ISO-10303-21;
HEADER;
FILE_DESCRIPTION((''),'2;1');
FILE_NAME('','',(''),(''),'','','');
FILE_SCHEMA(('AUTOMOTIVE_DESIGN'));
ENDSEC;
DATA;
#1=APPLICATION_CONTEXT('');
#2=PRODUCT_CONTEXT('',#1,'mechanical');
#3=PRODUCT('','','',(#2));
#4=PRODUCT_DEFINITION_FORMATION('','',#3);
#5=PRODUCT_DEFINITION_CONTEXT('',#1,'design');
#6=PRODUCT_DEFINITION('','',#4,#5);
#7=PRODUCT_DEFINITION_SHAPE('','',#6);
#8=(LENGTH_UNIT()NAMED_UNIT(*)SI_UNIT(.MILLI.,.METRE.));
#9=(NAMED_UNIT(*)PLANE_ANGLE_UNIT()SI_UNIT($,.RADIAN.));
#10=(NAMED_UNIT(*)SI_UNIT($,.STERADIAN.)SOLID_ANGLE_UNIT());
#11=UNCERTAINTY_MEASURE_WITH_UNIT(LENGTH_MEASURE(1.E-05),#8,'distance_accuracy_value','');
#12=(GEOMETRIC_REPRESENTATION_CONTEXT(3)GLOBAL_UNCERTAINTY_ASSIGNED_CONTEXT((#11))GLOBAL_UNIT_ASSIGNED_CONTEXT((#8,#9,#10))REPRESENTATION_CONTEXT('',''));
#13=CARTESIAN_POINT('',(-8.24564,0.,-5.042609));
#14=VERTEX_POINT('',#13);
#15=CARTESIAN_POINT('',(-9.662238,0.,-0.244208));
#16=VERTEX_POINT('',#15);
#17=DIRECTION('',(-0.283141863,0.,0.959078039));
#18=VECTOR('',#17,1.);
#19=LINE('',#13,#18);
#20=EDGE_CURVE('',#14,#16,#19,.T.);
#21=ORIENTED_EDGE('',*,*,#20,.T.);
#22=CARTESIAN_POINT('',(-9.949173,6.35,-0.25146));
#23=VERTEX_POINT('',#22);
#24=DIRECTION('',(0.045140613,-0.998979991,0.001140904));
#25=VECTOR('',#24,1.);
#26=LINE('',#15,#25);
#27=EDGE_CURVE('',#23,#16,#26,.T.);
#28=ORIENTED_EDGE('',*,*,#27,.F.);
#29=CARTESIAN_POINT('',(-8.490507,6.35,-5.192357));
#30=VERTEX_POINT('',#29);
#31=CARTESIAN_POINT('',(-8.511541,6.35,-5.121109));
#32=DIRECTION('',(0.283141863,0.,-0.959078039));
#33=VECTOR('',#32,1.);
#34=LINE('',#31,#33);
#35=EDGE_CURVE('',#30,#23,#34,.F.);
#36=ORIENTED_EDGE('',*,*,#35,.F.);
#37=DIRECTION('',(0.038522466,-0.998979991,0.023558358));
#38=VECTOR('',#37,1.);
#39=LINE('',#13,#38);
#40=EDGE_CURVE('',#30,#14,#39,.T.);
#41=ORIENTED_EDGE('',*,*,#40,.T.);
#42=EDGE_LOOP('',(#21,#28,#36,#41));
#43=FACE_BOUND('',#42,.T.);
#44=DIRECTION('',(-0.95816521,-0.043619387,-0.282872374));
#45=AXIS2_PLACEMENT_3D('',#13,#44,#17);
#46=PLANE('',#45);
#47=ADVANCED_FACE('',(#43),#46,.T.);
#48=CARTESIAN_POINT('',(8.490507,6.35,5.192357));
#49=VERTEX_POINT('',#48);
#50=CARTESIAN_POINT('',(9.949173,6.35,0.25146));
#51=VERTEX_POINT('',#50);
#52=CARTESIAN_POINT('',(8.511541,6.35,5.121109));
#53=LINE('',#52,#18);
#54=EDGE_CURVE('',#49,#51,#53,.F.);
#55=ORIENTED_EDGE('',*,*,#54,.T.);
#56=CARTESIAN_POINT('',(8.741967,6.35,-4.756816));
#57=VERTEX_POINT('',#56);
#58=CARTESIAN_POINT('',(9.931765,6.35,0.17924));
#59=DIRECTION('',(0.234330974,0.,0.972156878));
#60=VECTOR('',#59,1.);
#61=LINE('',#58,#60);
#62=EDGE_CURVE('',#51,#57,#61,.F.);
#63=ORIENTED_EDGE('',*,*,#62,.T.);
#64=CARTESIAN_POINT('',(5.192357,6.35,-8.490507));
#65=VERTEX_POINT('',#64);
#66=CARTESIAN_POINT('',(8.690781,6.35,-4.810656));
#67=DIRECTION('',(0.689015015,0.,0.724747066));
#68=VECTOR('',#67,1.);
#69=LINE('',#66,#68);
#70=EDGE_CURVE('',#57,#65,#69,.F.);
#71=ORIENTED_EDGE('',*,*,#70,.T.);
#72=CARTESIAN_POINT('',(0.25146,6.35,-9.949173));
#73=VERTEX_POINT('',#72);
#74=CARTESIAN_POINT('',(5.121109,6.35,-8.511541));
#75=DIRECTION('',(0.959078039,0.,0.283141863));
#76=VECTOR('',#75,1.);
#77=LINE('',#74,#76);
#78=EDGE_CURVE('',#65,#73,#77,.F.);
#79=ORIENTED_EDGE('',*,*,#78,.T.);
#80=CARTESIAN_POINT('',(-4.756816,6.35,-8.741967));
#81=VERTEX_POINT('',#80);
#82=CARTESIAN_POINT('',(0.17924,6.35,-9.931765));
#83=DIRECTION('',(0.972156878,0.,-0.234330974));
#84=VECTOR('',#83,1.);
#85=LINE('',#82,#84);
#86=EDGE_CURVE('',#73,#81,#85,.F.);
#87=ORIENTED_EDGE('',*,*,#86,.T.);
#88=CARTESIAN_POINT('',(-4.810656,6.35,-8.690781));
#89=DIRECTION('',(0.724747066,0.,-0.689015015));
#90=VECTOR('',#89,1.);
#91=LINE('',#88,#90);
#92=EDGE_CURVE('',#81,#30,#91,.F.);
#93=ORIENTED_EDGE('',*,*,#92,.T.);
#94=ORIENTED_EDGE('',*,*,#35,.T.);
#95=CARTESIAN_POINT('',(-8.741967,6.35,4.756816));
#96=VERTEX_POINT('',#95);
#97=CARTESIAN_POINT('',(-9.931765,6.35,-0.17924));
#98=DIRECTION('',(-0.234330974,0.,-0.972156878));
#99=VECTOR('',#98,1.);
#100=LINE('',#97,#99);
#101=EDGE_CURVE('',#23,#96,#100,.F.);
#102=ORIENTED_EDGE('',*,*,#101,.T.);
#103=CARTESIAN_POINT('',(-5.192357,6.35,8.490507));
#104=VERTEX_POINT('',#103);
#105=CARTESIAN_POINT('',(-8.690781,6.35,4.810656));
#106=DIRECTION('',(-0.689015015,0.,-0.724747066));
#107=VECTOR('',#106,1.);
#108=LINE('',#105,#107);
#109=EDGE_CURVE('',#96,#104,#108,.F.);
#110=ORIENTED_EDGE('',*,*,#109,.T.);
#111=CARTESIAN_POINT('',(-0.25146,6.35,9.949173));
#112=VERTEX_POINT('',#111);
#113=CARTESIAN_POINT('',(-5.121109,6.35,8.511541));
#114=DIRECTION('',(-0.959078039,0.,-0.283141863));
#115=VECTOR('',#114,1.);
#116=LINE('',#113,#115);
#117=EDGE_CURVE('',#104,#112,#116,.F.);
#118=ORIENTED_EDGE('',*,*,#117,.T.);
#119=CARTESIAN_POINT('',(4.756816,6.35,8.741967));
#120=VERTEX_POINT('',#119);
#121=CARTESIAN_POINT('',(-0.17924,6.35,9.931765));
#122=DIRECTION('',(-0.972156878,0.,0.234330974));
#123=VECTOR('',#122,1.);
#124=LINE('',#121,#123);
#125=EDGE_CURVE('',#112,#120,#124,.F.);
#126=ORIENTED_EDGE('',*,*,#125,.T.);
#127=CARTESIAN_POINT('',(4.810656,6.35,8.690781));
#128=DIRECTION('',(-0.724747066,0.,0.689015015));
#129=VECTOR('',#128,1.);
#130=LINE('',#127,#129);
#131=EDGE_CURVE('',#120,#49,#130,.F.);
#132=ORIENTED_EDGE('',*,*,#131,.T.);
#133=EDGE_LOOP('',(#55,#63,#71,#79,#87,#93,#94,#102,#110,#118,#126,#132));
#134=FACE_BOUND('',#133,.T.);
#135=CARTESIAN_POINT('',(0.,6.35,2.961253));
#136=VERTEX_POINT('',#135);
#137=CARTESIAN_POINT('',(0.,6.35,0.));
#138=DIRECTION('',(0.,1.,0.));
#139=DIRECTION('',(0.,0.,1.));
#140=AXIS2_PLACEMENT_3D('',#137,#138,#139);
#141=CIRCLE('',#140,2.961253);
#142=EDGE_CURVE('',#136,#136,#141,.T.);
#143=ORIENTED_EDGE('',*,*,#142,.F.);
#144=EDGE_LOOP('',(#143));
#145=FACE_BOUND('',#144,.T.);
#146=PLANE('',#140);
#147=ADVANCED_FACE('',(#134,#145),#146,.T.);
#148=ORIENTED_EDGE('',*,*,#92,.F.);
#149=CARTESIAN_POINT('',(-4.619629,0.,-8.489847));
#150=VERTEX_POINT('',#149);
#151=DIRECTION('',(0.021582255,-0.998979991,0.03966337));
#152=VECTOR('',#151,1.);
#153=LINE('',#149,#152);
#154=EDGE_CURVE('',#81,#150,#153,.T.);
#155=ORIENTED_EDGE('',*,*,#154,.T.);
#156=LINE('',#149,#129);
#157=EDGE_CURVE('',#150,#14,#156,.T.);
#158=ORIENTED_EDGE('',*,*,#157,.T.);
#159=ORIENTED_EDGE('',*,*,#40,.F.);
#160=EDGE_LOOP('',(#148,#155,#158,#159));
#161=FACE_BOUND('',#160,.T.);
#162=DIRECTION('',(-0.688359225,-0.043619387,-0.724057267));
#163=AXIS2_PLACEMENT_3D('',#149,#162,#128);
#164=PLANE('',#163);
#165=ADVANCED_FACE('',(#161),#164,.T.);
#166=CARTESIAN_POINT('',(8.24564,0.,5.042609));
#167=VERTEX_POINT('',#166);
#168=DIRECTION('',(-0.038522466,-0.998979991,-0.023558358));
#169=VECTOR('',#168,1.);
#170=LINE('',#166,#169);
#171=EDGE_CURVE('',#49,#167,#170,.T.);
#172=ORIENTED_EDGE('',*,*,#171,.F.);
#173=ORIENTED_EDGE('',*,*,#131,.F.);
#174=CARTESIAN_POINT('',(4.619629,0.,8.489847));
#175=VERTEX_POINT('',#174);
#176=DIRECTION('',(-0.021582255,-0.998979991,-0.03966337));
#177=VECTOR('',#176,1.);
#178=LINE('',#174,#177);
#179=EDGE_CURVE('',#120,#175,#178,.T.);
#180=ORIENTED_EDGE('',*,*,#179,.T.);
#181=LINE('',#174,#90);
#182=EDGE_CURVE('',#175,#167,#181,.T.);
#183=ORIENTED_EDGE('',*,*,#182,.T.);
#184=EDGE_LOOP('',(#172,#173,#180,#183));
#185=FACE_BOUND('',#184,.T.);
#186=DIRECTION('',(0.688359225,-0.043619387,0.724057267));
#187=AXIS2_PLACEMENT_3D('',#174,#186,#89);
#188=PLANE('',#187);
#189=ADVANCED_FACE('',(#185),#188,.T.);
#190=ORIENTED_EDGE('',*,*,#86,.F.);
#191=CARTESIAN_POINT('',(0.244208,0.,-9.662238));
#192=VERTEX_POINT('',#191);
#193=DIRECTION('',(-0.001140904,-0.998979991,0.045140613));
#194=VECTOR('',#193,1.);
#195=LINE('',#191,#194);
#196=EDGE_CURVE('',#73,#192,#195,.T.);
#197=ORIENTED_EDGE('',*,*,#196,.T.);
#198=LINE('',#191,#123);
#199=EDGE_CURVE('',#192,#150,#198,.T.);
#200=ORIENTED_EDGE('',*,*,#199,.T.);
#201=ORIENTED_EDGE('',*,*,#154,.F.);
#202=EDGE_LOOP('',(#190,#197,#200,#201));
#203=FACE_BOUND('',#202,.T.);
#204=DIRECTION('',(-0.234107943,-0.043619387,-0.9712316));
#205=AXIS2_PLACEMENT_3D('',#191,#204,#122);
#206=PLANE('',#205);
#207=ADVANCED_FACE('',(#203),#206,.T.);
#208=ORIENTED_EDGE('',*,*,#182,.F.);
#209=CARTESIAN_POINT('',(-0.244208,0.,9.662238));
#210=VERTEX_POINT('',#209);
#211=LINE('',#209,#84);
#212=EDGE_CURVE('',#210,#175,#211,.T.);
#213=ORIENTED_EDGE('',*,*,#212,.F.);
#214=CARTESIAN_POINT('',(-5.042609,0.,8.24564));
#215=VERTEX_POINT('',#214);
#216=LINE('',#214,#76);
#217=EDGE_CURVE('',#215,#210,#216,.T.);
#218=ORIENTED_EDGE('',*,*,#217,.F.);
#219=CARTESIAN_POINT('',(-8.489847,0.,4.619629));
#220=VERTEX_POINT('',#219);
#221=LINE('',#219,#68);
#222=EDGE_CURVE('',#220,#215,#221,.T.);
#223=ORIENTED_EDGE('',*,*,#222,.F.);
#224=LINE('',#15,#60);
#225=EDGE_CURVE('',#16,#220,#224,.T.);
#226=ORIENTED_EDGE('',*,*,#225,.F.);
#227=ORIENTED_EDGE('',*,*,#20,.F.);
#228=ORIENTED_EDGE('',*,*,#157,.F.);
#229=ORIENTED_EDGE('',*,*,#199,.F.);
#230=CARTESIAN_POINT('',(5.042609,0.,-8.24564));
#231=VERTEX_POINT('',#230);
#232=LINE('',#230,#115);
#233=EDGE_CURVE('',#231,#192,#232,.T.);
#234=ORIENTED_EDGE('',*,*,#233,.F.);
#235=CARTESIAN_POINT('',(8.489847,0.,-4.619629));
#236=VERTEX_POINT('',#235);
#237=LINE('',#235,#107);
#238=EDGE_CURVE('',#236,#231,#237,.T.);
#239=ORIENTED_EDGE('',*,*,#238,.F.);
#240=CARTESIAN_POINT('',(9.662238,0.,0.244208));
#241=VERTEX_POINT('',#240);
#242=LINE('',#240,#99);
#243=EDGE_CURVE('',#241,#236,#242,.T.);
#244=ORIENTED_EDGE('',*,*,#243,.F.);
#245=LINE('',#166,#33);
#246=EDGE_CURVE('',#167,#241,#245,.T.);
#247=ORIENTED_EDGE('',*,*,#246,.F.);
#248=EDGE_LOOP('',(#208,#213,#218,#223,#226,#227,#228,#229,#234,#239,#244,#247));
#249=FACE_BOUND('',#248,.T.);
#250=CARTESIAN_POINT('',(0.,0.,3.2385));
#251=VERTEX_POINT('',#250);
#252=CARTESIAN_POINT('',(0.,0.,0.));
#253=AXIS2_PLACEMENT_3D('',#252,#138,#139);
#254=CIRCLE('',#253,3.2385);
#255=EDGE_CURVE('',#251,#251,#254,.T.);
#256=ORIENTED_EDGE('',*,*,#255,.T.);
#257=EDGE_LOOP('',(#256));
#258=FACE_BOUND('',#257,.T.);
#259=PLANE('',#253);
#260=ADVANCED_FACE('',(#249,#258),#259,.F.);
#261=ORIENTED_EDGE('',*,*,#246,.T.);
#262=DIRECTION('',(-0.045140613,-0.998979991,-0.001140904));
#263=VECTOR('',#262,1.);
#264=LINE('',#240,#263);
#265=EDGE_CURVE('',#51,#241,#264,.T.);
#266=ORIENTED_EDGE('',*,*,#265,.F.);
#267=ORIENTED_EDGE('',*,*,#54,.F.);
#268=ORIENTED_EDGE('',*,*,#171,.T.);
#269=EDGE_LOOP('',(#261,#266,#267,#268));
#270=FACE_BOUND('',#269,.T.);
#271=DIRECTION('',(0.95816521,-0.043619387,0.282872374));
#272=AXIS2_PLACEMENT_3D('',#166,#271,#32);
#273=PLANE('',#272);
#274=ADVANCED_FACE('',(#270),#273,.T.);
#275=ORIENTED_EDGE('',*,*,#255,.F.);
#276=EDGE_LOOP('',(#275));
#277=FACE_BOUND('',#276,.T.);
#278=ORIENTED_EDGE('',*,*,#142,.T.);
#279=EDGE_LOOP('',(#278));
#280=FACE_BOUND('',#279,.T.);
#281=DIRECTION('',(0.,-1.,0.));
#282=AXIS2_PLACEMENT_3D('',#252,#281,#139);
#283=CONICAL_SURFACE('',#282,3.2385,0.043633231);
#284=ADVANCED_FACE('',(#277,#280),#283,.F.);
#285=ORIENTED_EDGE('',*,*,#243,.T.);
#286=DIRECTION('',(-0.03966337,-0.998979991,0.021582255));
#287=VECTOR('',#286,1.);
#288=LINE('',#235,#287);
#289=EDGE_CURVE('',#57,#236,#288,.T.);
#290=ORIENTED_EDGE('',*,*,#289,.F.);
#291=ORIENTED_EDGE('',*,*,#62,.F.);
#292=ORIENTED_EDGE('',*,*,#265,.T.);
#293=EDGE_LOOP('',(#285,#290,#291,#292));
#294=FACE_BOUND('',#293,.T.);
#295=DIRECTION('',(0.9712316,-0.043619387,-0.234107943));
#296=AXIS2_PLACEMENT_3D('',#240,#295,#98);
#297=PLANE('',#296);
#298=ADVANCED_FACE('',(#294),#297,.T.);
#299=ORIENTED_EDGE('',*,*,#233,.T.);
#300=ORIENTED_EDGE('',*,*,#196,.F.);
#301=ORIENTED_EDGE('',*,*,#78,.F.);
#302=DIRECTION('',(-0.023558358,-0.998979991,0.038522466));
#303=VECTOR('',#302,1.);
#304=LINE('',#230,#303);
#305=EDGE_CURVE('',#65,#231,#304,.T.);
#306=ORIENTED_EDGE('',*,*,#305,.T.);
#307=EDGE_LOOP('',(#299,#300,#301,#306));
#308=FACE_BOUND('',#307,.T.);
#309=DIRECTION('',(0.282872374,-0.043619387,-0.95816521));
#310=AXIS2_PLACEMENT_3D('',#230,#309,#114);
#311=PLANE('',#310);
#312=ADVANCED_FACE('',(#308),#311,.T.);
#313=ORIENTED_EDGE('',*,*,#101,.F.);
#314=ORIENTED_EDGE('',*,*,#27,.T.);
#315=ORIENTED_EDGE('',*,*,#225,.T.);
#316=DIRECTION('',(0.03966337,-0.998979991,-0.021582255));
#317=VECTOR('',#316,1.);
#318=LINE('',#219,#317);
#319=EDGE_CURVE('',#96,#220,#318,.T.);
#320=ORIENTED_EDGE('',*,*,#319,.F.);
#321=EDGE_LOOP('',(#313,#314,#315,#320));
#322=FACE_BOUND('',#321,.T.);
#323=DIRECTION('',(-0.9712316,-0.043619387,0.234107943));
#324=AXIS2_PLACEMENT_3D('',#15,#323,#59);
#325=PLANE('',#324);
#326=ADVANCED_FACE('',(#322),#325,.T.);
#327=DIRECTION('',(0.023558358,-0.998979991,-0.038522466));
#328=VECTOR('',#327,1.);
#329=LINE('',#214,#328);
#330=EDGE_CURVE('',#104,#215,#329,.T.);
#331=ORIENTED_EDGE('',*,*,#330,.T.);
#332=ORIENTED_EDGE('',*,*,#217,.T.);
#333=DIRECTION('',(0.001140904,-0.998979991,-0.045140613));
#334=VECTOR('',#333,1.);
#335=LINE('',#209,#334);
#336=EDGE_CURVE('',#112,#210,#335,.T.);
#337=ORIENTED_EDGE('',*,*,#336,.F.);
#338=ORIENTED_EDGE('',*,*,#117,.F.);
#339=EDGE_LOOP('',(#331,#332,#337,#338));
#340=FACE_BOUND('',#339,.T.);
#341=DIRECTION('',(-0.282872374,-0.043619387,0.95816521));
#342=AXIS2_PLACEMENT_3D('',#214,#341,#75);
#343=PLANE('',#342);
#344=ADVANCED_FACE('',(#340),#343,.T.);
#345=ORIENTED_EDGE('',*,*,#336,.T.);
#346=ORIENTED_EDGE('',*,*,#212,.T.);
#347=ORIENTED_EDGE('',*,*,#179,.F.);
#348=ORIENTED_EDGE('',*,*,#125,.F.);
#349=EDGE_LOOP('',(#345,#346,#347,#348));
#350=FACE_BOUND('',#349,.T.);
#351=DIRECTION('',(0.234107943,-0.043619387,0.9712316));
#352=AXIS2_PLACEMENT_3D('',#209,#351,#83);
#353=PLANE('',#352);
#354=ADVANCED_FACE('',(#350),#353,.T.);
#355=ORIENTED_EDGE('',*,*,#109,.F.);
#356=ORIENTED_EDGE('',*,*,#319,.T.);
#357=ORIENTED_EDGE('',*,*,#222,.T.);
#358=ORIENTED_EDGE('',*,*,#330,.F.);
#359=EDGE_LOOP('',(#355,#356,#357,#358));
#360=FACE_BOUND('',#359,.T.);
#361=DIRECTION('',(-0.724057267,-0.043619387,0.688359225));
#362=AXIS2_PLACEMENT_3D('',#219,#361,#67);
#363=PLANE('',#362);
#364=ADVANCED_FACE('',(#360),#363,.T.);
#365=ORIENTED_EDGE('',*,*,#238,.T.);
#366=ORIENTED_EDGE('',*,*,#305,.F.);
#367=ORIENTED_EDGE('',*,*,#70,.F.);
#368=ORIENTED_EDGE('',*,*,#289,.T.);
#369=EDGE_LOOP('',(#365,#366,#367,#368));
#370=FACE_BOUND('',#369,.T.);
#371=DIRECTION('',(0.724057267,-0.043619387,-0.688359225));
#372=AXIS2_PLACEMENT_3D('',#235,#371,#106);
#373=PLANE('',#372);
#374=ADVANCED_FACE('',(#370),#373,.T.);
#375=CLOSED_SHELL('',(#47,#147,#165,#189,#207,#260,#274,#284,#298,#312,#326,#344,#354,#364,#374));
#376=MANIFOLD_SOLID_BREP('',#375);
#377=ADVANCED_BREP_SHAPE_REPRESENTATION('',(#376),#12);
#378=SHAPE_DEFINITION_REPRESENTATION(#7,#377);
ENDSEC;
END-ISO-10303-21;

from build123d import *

# Parameters (mm, degrees)
SKETCH1_R           = 3.2385
BOSS_EXTRUDE1_DEPTH = 6.35
BOSS_EXTRUDE1_DRAFT = -2.5


with BuildPart() as part:
    # Sketch1 → Boss-Extrude1 (with draft: the straight prism first)
    with BuildSketch(Plane(origin=(0, 0, 0), x_dir=(1, 0, 0), z_dir=(0, 1, 0))):
        Polygon((8.24563965, -5.042609025), (9.662237919, -0.244207692), (8.489847342, 4.619628895), (5.042609025, 8.24563965), (0.244207692, 9.662237919), (-4.619628895, 8.489847342), (-8.24563965, 5.042609025), (-9.662237919, 0.244207692), (-8.489847342, -4.619628895), (-5.042609025, -8.24563965), (-0.244207692, -9.662237919), (4.619628895, -8.489847342), align=None)
        Circle(SKETCH1_R, mode=Mode.SUBTRACT)
    extrude(amount=BOSS_EXTRUDE1_DEPTH)
    # Boss-Extrude1: the draft: its side faces are tilted about the plane it starts from
    boss_extrude1_sides = [part.faces().sort_by_distance(p)[0] for p in [
        (8.953938785, 3.175, 2.643408358),
        (9.07604263, 3.175, -2.187710601),
        (6.766228183, 3.175, -6.432634272),
        (2.643408358, 3.175, -8.953938785),
        (-2.187710601, 3.175, -9.07604263),
        (-6.432634272, 3.175, -6.766228183),
        (-8.953938785, 3.175, -2.643408358),
        (-9.07604263, 3.175, 2.187710601),
        (-6.766228183, 3.175, 6.432634272),
        (-2.643408358, 3.175, 8.953938785),
        (2.187710601, 3.175, 9.07604263),
        (6.432634272, 3.175, 6.766228183),
        (-3.2385, 3.175, 0),
    ]]
    draft(boss_extrude1_sides, Plane(origin=(0, 0, 0), x_dir=(1, 0, 0), z_dir=(0, 1, 0)), BOSS_EXTRUDE1_DRAFT)


solid = part.part
